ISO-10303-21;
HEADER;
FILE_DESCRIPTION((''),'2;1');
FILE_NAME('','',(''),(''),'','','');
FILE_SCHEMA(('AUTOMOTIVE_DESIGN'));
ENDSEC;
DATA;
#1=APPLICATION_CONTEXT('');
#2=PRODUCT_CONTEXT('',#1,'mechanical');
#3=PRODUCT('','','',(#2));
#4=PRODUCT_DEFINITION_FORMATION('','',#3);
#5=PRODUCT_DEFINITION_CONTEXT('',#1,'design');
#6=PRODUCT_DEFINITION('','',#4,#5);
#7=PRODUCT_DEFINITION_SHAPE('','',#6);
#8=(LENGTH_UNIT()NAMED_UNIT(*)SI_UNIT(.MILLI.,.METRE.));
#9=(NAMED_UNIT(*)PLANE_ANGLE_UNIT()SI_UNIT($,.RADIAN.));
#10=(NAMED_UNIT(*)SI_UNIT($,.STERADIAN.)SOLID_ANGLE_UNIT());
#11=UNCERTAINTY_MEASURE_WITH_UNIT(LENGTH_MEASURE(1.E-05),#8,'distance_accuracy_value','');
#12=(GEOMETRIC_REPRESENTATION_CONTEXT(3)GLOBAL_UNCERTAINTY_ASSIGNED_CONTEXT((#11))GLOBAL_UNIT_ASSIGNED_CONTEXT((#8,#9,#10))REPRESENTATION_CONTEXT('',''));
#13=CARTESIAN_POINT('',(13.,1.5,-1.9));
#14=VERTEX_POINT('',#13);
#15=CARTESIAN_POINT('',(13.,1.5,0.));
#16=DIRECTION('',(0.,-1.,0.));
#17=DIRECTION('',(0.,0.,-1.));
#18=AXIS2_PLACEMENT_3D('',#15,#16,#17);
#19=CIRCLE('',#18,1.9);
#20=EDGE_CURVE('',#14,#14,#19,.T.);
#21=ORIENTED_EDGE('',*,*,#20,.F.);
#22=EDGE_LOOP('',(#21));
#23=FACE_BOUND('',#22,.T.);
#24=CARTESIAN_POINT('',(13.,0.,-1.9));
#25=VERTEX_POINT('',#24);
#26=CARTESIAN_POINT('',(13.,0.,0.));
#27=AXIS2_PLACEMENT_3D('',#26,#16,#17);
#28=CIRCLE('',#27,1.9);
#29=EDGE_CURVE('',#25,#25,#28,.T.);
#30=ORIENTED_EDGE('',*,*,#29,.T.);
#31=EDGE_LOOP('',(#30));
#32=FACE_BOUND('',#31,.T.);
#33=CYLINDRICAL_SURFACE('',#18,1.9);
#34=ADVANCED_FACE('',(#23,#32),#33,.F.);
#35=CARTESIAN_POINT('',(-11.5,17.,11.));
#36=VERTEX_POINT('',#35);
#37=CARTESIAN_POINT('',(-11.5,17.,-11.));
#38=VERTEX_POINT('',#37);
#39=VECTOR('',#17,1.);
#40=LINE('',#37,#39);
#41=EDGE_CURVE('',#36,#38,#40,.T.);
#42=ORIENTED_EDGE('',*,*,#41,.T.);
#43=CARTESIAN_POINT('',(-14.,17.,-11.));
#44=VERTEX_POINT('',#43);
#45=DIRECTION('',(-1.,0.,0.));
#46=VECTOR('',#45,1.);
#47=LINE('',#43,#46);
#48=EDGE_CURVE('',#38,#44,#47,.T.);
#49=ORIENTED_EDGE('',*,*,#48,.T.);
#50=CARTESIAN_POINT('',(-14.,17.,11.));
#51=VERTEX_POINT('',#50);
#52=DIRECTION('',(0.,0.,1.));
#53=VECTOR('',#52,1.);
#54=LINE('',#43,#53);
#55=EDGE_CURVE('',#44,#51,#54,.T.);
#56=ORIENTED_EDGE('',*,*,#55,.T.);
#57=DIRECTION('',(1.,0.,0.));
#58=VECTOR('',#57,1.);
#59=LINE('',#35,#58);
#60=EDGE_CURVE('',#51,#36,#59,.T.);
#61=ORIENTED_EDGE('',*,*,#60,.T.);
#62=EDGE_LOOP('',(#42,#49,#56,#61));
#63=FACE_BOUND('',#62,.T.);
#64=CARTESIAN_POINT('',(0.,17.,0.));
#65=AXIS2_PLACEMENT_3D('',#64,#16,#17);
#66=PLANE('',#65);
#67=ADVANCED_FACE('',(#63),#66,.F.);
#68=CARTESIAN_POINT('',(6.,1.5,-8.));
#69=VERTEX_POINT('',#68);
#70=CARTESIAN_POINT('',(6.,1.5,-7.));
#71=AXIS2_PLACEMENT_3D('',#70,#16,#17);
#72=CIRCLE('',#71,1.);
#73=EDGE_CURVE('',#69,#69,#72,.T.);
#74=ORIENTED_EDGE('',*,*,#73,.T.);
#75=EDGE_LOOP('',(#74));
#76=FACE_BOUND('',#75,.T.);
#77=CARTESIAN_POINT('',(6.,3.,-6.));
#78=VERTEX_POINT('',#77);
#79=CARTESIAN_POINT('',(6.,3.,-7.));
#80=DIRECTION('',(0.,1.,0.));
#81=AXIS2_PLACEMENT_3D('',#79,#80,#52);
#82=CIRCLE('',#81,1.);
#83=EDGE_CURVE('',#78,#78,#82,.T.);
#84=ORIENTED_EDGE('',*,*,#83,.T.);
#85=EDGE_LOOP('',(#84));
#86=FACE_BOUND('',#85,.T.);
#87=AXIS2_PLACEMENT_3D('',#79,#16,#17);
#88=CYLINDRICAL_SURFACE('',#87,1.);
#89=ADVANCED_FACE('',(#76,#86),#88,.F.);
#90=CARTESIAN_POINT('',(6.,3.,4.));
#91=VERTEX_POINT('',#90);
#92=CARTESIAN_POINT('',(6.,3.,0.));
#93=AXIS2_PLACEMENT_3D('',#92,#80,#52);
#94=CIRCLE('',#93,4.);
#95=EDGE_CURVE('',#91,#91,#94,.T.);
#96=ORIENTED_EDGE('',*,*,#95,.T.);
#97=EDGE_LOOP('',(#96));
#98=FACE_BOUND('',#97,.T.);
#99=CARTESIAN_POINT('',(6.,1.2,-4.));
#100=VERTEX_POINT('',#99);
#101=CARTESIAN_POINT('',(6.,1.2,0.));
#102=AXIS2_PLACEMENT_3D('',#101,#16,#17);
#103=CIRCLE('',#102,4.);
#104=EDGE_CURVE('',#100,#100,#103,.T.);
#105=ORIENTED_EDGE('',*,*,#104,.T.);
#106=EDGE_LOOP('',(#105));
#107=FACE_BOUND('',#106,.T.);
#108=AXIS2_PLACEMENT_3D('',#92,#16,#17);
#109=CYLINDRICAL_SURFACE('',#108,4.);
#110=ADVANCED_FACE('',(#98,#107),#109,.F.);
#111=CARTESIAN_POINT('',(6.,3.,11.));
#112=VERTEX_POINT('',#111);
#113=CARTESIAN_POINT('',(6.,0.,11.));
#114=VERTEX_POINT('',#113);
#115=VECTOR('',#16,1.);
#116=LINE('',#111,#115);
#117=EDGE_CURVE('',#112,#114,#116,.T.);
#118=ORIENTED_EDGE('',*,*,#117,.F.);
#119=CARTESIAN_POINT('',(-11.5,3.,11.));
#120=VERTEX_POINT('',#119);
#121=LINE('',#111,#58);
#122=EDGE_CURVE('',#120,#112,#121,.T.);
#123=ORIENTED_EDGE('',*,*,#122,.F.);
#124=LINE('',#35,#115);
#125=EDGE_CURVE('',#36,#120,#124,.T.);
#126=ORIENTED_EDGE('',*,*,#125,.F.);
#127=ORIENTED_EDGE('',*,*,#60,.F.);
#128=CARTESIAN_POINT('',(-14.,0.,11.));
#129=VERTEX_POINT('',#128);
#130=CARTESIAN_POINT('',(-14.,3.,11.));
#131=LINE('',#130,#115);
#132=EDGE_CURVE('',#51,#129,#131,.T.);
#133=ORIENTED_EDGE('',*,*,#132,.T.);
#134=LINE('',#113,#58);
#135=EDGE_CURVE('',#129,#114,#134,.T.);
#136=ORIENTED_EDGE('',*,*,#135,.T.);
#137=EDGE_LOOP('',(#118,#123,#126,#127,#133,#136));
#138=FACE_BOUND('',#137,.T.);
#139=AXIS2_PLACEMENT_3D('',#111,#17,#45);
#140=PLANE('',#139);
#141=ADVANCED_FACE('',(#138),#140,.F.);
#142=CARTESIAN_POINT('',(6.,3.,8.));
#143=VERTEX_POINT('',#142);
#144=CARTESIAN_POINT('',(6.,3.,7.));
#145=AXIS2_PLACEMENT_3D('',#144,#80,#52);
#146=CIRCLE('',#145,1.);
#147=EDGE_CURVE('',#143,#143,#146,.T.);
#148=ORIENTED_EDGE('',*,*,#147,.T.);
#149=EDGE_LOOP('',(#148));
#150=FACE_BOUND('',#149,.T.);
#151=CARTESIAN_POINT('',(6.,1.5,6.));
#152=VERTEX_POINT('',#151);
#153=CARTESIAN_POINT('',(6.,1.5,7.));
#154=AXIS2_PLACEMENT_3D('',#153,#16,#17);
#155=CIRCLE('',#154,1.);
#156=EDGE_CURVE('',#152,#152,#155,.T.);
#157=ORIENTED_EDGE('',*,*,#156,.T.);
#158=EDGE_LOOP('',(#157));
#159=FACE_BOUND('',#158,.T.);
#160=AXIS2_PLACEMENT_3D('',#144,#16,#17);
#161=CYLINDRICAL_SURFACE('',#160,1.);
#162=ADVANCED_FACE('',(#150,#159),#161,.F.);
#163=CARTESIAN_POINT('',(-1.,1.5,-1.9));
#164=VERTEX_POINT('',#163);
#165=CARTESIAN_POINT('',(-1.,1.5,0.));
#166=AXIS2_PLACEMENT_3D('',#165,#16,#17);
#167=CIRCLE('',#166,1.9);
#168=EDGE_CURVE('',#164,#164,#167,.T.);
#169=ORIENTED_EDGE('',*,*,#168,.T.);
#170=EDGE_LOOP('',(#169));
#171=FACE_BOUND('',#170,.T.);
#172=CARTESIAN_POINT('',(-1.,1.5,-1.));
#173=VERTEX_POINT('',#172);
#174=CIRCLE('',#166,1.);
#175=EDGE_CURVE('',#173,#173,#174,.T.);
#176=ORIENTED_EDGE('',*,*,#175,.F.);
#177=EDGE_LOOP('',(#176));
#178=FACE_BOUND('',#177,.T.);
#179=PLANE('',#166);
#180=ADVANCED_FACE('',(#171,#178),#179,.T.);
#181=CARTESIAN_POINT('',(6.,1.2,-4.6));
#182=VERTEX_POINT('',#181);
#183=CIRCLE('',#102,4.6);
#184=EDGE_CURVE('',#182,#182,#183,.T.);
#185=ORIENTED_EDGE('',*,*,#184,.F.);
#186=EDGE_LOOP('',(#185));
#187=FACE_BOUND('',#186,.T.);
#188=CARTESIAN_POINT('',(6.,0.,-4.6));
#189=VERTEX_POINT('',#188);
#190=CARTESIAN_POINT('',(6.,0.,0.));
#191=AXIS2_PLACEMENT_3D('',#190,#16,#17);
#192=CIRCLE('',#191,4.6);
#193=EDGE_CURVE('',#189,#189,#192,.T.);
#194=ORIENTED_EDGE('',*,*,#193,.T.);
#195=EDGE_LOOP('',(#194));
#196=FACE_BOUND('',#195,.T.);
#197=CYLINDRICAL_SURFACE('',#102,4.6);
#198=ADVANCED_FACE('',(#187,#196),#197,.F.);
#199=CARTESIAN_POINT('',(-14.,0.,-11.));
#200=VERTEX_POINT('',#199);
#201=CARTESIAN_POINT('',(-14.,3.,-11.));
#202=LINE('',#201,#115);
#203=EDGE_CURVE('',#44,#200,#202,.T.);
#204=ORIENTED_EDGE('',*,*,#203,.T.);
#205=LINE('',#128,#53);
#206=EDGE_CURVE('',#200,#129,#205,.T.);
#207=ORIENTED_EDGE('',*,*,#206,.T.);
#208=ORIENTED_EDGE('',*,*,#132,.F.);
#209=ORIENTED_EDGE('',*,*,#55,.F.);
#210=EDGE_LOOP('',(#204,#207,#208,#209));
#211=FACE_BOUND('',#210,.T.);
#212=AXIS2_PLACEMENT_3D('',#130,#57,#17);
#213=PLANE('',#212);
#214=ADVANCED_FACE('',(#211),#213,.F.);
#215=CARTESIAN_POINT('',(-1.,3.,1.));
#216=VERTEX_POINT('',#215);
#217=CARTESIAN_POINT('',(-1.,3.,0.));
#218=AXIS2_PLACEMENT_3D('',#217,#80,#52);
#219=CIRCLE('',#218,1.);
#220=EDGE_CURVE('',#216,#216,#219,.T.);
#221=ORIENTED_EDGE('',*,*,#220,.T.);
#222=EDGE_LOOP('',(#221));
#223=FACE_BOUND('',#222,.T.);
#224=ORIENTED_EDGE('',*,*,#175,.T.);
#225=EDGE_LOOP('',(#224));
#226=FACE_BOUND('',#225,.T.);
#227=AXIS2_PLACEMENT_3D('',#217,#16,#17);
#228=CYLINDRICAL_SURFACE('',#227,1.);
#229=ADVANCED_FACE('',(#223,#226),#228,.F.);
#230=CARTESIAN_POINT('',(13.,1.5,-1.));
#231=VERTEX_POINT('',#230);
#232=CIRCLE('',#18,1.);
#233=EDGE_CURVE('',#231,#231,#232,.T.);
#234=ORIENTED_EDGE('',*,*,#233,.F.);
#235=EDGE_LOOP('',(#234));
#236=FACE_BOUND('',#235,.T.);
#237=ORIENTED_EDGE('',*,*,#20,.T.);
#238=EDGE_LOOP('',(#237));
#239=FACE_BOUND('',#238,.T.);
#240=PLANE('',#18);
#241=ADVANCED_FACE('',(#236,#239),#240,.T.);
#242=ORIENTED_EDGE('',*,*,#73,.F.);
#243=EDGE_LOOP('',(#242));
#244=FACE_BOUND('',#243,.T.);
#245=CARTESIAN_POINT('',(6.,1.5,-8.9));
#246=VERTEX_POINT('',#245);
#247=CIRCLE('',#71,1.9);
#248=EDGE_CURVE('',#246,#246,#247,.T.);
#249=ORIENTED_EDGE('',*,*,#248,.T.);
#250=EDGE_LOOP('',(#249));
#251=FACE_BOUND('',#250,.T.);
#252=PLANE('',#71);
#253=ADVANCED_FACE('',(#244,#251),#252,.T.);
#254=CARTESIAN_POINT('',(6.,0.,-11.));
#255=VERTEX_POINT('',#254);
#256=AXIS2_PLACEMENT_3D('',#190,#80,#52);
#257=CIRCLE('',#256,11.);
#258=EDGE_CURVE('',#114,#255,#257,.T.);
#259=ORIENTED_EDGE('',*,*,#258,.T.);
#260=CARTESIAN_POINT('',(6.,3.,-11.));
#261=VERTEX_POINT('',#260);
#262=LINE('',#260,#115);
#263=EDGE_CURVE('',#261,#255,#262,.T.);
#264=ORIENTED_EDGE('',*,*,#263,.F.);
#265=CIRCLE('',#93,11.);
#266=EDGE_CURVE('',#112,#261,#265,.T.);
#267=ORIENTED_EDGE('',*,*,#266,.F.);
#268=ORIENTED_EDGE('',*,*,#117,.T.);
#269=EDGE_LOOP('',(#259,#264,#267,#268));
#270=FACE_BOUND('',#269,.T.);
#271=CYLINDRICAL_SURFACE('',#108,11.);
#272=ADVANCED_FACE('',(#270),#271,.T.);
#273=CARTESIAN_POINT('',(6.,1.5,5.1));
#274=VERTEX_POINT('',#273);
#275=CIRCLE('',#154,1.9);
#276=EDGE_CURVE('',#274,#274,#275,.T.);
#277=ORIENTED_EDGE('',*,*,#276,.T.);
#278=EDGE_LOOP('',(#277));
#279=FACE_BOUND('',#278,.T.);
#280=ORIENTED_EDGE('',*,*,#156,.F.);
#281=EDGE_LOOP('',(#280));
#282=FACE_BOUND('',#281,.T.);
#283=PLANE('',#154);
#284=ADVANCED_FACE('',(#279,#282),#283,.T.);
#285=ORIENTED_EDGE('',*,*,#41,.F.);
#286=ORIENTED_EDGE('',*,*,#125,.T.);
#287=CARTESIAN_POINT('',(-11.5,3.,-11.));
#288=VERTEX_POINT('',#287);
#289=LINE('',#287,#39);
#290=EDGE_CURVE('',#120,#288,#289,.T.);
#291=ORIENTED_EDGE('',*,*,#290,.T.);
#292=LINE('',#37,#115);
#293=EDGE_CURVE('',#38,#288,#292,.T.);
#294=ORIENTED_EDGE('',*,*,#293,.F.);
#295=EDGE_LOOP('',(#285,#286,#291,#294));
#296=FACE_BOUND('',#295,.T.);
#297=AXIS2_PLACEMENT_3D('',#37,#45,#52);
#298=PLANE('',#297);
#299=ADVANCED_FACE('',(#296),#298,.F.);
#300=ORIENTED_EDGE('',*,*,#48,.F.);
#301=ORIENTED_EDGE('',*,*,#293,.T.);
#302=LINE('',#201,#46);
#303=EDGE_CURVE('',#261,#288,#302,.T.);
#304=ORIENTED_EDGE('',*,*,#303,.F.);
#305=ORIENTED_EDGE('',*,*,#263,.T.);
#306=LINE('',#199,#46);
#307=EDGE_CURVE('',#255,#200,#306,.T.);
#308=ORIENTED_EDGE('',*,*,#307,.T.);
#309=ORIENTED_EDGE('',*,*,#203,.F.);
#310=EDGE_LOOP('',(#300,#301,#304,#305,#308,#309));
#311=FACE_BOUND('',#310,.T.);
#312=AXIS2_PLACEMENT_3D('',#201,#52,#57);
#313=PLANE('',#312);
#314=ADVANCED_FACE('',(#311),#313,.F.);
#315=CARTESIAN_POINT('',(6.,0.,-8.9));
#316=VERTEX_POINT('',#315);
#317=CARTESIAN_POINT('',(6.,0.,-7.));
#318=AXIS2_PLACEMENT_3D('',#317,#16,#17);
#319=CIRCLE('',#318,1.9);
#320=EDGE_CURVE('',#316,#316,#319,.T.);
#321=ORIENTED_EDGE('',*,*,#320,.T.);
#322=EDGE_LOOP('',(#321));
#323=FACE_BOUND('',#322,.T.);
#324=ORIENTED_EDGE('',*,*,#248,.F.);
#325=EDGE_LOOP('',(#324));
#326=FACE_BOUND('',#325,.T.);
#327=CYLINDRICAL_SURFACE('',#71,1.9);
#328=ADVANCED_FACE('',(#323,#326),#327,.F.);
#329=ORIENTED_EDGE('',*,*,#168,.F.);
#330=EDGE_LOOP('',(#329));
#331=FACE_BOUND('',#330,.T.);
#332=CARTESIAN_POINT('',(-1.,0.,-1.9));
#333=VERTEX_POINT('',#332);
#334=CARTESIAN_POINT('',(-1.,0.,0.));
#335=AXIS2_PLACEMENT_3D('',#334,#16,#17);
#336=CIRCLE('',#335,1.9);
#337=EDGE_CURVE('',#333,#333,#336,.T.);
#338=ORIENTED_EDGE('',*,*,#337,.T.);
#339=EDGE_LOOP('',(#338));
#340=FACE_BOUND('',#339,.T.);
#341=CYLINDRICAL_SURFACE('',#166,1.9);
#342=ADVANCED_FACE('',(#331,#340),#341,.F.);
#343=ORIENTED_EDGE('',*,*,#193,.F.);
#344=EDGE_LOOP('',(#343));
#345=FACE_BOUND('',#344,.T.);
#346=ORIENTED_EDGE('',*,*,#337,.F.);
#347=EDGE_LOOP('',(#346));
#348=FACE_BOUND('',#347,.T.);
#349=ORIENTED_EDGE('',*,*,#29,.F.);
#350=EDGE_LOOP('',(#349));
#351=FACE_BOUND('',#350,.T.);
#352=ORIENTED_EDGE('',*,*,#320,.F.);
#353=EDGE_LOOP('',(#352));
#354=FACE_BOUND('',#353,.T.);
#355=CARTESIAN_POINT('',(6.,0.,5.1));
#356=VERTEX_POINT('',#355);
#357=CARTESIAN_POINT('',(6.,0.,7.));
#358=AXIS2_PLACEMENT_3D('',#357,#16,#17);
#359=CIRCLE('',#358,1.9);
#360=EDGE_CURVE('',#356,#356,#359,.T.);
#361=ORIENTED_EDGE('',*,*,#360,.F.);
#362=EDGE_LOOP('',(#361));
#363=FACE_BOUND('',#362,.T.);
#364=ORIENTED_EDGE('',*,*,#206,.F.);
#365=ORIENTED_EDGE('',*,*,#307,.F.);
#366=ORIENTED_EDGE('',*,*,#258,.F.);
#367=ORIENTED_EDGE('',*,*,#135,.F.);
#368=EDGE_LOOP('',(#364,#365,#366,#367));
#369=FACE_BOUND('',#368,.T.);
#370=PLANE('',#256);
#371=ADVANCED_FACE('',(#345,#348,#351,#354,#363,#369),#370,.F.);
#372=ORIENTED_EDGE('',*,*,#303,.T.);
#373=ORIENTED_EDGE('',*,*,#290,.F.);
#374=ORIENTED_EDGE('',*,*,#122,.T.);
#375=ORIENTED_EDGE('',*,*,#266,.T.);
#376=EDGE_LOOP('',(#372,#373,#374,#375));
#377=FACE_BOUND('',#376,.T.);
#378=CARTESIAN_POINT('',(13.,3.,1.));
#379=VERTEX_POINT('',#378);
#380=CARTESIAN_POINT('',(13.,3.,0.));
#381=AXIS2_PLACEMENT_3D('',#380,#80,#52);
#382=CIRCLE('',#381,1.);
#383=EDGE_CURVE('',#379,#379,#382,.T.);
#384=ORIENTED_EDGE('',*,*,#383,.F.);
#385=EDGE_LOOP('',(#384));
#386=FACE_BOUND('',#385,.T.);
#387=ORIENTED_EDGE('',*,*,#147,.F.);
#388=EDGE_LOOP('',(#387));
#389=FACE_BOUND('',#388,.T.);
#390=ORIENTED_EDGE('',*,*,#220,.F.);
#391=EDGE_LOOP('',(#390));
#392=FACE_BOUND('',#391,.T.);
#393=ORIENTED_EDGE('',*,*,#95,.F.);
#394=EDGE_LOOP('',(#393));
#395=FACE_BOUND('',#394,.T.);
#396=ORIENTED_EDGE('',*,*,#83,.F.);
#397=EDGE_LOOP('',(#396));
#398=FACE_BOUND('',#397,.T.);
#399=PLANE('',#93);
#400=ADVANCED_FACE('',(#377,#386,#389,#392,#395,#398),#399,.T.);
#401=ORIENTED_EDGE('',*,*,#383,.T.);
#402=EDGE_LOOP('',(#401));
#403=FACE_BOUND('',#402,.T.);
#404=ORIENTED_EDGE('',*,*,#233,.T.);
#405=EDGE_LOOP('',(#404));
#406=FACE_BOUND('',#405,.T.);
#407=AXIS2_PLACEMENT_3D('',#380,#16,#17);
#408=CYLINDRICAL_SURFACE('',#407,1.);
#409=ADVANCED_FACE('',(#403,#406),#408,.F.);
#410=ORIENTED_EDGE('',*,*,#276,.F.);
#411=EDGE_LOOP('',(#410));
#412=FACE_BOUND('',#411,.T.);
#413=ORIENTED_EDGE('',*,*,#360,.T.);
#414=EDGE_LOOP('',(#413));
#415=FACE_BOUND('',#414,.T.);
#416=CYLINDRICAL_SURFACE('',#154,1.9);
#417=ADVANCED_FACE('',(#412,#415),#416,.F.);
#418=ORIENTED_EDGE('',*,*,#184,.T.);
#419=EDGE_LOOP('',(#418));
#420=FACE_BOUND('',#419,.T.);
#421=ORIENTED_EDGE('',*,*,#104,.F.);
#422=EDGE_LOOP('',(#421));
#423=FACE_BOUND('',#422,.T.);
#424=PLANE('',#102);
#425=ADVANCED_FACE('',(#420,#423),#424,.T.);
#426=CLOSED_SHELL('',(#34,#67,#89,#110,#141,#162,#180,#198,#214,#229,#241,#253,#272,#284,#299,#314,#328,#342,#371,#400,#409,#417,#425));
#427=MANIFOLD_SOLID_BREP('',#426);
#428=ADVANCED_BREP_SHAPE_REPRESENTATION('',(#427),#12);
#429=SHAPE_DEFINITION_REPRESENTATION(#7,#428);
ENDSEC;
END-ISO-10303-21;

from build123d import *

# Parameters (mm, degrees)
SKETCH1_R           = 1
SKETCH1_R_2         = 4
BOSS_EXTRUDE1_DEPTH = 3
SKETCH2_W           = 2.5
SKETCH2_H           = 22
BOSS_EXTRUDE2_DEPTH = 14
SKETCH4_R           = 4.6
CUT_EXTRUDE2_DEPTH  = 1.2
SKETCH5_R           = 1.9
CUT_EXTRUDE3_DEPTH  = 1.5


with BuildPart() as part:
    # Sketch1 → Boss-Extrude1 (new body)
    with BuildSketch(Plane(origin=(0, 0, 0), x_dir=(1, 0, 0), z_dir=(0, 1, 0))):
        with BuildLine():
            Line((-14, -11), (-14, 11))
            Line((-14, 11), (6, 11))
            ThreePointArc((6, 11), (17, 0), (6, -11))
            Line((6, -11), (-14, -11))
        make_face()
        with Locations((6, -7)):
            Circle(SKETCH1_R, mode=Mode.SUBTRACT)
        with Locations((-1, 0)):
            Circle(SKETCH1_R, mode=Mode.SUBTRACT)
        with Locations((6, 0)):
            Circle(SKETCH1_R_2, mode=Mode.SUBTRACT)
        with Locations((13, 0)):
            Circle(SKETCH1_R, mode=Mode.SUBTRACT)
        with Locations((6, 7)):
            Circle(SKETCH1_R, mode=Mode.SUBTRACT)
    extrude(amount=BOSS_EXTRUDE1_DEPTH)

    # Sketch2 → Boss-Extrude2 (add)
    with BuildSketch(Plane(origin=(0, 3, 0), x_dir=(1, 0, 0), z_dir=(0, 1, 0))):
        with Locations((-12.75, 0)):
            Rectangle(SKETCH2_W, SKETCH2_H)
    extrude(amount=BOSS_EXTRUDE2_DEPTH)

    # Sketch4 → Cut-Extrude2 (cut)
    with BuildSketch(Plane.XZ):
        with Locations((6, 0)):
            Circle(SKETCH4_R)
    extrude(amount=-CUT_EXTRUDE2_DEPTH, mode=Mode.SUBTRACT)

    # Sketch5 → Cut-Extrude3 (cut)
    with BuildSketch(Plane.XZ):
        with Locations((13, 0)):
            Circle(SKETCH5_R)
        with Locations((6, -7)):
            Circle(SKETCH5_R)
        with Locations((-1, 0)):
            Circle(SKETCH5_R)
        with Locations((6, 7)):
            Circle(SKETCH5_R)
    extrude(amount=-CUT_EXTRUDE3_DEPTH, mode=Mode.SUBTRACT)


solid = part.part
